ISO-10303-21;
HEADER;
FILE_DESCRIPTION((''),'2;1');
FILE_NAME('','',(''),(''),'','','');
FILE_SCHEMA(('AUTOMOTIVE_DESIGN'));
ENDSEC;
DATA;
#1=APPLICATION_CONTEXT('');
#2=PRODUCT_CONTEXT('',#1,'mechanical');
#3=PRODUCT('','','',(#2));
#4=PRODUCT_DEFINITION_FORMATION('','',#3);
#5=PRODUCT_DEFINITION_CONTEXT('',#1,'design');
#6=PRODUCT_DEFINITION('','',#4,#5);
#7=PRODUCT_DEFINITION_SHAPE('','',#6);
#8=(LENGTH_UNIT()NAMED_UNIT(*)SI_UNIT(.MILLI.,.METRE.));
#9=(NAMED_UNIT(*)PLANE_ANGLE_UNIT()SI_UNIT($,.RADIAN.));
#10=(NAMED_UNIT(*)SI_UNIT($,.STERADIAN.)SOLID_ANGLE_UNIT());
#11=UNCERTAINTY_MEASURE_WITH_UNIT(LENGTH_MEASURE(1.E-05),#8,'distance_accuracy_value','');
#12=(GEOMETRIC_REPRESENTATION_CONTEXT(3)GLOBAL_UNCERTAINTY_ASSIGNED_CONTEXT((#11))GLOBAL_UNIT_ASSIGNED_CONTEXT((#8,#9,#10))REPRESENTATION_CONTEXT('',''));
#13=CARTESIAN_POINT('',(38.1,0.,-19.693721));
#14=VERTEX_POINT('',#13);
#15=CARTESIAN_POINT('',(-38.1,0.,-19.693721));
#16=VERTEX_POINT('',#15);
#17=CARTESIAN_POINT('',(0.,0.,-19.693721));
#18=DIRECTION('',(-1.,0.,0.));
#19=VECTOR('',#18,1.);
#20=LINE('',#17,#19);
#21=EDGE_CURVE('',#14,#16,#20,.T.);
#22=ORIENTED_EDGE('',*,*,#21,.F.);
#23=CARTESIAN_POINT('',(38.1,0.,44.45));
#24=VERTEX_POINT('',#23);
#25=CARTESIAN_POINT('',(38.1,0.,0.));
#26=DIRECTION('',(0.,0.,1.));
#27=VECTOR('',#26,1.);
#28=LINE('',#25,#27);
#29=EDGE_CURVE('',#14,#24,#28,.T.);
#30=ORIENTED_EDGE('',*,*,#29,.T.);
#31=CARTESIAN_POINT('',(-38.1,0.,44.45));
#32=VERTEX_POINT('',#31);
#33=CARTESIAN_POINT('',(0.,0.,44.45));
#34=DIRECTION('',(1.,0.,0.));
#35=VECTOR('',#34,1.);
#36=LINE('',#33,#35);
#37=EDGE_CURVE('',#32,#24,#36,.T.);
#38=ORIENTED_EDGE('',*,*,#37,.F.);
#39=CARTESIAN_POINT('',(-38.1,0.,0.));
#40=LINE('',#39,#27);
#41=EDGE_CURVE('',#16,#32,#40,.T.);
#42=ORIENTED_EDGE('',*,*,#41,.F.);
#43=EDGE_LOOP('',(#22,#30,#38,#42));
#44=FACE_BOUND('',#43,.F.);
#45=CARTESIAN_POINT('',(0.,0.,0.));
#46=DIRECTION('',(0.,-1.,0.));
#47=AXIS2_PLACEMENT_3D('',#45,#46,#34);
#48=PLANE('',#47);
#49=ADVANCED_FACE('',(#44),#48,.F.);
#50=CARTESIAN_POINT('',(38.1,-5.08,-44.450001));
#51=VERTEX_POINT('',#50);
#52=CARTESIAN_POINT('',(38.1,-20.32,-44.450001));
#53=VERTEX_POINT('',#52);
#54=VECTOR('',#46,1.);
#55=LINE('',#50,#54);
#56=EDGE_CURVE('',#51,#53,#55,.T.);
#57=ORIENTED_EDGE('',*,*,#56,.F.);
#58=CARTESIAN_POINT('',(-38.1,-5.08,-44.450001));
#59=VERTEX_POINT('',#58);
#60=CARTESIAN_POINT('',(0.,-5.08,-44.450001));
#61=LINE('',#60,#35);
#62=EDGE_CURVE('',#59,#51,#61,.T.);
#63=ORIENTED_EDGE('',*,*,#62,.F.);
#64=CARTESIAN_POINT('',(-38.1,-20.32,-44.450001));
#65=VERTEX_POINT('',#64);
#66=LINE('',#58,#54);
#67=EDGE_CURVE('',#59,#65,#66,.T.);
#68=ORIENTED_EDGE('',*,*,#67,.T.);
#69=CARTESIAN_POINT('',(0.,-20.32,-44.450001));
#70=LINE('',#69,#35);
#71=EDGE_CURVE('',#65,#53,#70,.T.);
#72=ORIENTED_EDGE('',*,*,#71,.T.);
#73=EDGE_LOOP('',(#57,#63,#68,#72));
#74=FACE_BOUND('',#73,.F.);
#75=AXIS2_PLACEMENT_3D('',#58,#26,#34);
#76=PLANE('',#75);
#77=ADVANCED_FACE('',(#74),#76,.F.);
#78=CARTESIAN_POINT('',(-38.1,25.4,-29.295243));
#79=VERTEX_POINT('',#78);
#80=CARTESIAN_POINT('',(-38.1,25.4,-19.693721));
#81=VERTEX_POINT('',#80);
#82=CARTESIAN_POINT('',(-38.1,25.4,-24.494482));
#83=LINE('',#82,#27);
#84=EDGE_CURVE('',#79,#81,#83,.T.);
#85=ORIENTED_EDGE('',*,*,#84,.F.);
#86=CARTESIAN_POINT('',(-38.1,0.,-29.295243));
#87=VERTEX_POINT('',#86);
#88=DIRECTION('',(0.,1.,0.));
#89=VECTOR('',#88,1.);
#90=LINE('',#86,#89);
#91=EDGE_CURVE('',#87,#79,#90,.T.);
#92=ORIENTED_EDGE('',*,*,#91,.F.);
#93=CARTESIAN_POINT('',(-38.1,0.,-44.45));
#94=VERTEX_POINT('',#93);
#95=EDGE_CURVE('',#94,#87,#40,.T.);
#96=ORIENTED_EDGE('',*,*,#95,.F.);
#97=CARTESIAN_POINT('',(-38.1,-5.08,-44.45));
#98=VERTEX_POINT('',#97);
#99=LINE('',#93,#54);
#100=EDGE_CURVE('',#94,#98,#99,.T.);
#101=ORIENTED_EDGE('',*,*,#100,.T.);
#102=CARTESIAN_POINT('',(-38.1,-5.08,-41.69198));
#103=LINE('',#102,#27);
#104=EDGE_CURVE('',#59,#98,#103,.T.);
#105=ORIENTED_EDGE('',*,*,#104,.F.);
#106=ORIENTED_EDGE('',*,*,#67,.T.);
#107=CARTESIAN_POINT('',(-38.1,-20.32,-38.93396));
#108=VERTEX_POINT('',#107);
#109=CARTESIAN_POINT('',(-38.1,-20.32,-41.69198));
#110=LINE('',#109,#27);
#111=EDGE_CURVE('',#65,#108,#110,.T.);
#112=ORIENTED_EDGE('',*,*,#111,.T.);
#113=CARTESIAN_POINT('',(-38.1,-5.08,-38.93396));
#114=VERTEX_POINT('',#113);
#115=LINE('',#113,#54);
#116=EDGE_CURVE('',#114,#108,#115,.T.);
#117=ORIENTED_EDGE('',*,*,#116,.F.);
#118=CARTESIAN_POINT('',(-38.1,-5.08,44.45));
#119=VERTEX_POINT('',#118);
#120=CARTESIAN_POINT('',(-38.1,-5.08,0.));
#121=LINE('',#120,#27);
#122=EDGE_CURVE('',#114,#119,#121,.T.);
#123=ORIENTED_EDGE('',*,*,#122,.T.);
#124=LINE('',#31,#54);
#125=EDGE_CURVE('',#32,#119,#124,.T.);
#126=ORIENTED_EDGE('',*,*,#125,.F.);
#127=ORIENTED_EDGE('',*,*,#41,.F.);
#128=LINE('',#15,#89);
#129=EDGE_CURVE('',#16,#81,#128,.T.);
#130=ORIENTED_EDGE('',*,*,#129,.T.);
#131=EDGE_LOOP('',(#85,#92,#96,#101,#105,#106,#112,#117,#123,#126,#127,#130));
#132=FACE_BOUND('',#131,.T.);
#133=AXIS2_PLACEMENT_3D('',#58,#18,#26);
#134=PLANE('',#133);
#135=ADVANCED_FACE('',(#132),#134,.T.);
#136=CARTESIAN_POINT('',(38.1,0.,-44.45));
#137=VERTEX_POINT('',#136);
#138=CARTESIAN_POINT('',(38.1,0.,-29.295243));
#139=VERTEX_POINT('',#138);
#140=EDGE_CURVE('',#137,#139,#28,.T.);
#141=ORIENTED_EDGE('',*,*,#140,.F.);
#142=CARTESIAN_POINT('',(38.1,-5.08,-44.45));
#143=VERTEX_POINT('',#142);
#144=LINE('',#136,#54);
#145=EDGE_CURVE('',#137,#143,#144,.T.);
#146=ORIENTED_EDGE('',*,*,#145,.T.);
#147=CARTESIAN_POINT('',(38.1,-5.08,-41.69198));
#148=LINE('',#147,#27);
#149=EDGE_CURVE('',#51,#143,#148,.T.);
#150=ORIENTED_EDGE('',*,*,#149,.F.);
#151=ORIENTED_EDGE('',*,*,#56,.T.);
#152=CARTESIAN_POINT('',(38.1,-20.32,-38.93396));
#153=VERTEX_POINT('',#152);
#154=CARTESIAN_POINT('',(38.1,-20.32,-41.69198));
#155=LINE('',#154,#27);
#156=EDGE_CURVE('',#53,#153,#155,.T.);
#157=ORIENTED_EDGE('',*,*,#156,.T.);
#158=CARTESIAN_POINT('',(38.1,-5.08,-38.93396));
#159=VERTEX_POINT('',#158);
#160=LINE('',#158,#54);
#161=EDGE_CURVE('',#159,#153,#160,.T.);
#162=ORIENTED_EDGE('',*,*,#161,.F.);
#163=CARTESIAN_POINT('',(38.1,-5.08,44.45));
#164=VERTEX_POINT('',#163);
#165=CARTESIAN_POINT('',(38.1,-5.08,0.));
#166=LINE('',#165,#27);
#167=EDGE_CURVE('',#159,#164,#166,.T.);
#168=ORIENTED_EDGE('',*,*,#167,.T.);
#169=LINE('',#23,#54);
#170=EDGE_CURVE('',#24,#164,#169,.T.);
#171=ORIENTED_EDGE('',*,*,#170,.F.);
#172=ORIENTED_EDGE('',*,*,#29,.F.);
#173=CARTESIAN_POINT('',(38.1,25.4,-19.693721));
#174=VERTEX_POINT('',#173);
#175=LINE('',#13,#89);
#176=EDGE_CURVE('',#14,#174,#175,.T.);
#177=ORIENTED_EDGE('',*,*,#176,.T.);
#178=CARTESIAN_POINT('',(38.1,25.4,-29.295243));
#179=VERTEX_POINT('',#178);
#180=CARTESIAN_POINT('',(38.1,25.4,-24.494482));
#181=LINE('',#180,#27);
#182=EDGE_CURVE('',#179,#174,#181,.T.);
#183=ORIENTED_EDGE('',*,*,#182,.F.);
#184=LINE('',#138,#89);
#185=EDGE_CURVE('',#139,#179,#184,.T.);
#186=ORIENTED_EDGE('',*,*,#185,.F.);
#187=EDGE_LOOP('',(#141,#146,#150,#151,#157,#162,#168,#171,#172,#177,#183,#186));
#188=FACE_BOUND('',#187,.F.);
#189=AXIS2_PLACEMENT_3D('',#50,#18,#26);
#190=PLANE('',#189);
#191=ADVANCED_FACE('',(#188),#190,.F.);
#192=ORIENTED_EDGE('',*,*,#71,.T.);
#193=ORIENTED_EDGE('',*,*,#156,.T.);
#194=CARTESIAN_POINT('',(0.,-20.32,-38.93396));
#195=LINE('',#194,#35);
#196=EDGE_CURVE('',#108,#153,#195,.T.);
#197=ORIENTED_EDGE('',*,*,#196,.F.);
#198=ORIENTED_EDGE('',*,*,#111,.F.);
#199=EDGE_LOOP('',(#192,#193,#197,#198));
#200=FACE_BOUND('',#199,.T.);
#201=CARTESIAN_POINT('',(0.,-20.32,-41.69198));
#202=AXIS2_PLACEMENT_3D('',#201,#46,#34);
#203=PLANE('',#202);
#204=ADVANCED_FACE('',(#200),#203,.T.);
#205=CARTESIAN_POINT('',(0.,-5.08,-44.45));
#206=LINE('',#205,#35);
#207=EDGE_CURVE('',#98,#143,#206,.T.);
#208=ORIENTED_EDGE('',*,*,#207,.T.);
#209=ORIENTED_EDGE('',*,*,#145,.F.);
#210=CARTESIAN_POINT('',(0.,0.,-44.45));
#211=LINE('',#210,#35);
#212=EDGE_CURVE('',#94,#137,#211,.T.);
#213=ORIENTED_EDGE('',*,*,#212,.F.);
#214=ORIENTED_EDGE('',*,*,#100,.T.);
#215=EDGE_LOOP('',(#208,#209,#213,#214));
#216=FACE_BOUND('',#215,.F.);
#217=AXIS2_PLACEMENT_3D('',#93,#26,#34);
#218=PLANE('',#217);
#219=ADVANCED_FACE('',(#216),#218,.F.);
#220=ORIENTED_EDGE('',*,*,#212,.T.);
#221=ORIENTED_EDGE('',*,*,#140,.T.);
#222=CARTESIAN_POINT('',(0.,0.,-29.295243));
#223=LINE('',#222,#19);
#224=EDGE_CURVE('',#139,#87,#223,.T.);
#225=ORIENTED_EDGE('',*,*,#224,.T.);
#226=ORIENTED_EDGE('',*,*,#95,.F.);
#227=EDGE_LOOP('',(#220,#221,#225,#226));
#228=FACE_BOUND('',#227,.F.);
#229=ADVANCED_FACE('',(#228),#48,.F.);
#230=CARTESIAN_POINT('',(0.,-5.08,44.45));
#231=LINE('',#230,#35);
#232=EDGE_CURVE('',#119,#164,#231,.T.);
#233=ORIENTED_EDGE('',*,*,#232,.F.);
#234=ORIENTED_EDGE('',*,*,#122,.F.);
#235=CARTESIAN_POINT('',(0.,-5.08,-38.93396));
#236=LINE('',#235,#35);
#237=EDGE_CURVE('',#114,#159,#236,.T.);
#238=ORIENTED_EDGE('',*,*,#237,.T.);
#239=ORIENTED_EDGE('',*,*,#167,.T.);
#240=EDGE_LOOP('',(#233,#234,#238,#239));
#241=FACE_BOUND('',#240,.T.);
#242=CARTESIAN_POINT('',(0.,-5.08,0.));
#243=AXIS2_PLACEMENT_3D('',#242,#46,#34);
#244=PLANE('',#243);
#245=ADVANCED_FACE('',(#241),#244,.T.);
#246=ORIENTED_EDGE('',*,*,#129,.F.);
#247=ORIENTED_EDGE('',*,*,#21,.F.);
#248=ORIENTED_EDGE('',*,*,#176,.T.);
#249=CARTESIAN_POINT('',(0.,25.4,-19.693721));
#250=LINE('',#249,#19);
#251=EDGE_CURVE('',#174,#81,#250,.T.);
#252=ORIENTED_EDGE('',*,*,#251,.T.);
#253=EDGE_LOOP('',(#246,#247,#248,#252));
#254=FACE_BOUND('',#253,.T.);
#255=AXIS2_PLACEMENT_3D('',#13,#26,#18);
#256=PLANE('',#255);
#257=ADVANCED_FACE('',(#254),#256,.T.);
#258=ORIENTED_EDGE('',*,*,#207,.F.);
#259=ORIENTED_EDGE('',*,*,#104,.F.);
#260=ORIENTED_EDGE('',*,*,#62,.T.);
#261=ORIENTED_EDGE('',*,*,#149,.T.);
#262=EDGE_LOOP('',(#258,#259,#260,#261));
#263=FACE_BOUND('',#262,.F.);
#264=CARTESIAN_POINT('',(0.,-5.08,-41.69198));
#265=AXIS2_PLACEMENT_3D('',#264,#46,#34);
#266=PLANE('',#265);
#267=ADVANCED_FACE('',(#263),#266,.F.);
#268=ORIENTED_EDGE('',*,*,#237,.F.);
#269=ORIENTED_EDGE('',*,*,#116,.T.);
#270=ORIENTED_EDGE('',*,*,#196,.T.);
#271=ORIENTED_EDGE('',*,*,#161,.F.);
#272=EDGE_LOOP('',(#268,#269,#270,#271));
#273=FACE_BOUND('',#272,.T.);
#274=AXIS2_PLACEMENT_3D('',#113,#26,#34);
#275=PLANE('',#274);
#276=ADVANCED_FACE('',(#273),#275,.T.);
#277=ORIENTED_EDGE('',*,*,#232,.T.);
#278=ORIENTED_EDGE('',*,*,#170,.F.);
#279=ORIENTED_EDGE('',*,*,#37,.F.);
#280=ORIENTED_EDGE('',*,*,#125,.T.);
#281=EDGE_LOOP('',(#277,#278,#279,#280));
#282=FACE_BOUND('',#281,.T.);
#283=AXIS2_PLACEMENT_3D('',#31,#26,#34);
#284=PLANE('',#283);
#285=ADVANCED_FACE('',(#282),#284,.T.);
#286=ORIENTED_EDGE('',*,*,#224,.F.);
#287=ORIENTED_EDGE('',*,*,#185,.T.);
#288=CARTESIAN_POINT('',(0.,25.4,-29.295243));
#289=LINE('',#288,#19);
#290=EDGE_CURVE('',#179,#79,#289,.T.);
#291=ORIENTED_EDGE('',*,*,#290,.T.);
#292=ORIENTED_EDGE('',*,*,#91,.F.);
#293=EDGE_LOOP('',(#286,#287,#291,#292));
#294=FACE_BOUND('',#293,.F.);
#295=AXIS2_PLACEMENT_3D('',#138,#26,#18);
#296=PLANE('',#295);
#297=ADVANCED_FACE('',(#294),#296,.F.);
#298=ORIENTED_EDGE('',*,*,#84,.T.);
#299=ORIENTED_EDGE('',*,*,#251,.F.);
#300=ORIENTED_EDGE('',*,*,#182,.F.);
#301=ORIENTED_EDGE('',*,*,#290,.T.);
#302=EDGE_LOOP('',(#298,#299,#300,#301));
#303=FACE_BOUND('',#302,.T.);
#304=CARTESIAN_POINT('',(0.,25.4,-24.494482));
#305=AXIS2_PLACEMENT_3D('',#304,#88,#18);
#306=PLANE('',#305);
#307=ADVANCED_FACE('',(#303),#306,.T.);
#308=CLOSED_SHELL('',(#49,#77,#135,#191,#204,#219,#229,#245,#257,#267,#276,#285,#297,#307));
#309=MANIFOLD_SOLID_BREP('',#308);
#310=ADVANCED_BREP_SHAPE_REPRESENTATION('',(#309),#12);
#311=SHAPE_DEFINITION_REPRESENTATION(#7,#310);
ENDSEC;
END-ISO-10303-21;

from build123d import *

# Parameters (mm, degrees)
F0_W     = 76.2
F0_H     = 88.9
F1_DEPTH = 5.08
F2_W     = 76.2
F2_H     = 5.516041
F3_DEPTH = 15.24
F4_W     = 76.2
F4_H     = 9.601522
F5_DEPTH = 25.4


with BuildPart() as f1:
    # F0 (on Front) → F1 (new body)
    with BuildSketch(Plane.XZ):
        Rectangle(F0_W, F0_H)
    extrude(amount=F1_DEPTH)

    # F2 (on face) → F3 (join)
    with BuildSketch(Plane.XZ.offset(5.08)):
        with Locations((0, -41.69198)):
            Rectangle(F2_W, F2_H)
    extrude(amount=F3_DEPTH)

    # F4 (on face) → F5 (join)
    with BuildSketch(Plane(origin=(0, 0, 0), x_dir=(-1, 0, 0), z_dir=(0, 1, 0))):
        with Locations((0, -24.494482)):
            Rectangle(F4_W, F4_H)
    extrude(amount=F5_DEPTH)


solid = f1.part
